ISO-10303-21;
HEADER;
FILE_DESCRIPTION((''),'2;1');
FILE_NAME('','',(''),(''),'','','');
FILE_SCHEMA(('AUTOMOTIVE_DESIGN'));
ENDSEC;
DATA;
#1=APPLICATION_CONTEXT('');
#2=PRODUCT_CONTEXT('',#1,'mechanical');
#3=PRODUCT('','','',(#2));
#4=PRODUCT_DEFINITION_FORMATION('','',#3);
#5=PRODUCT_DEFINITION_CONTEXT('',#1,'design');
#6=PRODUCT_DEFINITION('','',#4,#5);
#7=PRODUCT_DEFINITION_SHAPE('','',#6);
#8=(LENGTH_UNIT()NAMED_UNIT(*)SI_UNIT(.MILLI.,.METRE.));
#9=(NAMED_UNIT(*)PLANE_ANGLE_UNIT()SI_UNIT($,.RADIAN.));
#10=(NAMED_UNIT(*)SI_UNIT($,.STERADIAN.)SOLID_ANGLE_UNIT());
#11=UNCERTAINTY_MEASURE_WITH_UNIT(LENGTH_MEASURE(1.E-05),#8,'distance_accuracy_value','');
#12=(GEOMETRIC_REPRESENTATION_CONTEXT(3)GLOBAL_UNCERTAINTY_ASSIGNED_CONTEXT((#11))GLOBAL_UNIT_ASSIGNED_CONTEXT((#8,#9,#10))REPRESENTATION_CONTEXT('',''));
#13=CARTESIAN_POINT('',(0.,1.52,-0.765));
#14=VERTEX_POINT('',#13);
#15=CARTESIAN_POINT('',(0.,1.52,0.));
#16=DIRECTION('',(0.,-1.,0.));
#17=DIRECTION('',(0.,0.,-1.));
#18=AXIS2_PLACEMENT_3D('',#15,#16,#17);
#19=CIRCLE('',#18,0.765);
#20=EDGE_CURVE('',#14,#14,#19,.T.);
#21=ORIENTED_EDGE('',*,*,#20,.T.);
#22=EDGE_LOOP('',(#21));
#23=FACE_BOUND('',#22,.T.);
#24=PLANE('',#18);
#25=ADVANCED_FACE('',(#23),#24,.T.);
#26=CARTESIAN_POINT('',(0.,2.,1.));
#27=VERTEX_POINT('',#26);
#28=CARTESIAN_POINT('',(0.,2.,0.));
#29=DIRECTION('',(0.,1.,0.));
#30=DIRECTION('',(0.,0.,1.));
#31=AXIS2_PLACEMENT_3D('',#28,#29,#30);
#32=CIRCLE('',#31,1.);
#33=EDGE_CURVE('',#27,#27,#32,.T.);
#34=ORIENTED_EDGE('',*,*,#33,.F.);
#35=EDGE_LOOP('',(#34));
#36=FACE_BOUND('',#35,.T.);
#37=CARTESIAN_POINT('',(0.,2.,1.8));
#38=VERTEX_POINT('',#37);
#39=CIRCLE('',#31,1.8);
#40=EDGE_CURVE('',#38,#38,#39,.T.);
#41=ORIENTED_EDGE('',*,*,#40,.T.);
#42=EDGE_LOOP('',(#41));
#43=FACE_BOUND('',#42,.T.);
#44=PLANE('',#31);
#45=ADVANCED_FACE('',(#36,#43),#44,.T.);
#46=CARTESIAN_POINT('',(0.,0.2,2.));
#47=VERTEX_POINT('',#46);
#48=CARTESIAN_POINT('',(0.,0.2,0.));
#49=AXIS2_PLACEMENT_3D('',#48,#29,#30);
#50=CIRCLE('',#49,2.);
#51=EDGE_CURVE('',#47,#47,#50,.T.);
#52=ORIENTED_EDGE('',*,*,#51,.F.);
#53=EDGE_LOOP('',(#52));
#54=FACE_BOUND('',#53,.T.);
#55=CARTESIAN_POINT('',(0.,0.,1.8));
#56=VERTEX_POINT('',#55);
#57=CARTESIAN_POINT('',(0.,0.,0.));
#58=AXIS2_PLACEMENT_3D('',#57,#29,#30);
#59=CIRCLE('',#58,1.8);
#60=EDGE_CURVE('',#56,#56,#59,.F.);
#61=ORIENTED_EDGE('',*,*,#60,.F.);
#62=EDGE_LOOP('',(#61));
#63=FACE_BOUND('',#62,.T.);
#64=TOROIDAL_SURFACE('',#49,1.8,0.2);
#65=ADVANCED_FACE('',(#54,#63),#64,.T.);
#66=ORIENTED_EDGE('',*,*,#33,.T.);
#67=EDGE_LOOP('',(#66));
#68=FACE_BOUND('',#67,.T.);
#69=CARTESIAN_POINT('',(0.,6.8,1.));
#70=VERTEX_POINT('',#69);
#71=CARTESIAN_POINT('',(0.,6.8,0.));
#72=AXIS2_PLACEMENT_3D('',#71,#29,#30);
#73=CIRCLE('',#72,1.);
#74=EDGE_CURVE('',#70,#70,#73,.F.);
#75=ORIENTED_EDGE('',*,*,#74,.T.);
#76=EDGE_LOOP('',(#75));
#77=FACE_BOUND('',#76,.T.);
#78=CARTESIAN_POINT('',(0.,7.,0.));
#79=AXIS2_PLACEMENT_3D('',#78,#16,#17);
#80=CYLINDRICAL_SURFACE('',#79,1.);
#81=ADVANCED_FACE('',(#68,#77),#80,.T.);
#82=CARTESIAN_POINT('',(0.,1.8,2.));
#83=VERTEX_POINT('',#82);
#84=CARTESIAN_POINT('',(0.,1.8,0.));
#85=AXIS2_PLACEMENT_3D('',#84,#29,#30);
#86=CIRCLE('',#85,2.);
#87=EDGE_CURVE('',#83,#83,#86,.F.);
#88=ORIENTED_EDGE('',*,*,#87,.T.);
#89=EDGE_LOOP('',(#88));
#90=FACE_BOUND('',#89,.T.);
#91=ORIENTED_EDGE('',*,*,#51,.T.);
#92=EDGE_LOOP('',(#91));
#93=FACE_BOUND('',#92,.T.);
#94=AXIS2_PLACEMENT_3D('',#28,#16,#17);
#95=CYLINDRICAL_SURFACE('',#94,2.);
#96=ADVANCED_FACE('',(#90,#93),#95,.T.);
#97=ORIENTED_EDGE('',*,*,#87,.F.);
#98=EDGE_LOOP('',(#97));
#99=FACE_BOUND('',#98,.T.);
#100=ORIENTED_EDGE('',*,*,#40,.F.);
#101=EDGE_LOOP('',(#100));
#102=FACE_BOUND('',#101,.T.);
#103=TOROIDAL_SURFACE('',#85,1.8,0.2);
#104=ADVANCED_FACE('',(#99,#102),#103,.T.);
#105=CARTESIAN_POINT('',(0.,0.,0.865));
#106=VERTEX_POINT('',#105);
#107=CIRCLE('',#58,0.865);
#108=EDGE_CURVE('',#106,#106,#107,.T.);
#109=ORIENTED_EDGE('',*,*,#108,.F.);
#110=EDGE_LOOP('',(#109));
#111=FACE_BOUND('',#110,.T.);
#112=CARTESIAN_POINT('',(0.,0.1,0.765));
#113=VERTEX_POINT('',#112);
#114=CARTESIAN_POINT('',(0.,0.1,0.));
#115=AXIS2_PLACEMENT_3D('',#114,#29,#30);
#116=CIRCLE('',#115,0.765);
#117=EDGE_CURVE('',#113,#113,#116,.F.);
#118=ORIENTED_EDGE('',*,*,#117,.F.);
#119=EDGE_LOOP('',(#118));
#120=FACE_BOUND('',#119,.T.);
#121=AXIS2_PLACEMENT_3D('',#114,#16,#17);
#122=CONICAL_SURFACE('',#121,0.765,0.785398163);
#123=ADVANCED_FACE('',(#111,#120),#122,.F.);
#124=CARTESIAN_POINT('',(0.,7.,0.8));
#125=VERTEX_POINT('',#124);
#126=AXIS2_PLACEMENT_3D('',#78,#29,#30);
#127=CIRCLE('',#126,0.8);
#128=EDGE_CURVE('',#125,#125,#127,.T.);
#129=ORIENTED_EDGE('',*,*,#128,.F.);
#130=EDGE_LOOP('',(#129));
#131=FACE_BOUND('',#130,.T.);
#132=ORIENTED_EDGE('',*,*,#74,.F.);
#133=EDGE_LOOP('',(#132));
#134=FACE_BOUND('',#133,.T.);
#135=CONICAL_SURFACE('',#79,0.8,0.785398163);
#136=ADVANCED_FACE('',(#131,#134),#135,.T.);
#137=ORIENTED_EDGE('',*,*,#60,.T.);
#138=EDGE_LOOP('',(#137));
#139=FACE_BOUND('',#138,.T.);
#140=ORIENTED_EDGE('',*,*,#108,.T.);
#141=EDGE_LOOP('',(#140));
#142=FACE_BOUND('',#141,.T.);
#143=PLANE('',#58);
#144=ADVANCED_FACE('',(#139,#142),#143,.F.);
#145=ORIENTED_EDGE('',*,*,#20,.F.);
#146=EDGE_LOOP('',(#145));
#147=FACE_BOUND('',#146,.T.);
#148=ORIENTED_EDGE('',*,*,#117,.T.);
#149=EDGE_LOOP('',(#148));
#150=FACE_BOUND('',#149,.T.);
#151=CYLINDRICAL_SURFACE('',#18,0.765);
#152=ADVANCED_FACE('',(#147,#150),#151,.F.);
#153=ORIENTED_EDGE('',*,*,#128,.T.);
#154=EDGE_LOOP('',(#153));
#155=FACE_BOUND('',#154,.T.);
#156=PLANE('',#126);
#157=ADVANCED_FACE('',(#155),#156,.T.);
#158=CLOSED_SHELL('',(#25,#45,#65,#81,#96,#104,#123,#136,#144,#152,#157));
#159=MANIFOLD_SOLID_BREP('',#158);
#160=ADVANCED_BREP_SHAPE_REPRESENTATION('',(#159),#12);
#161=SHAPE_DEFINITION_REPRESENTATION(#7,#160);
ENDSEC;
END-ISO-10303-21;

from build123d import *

# Parameters (mm, degrees)
SKETCH_2_R          = 2
EXTRUDE_1_DEPTH     = 2
SKETCH_3_R          = 1
EXTRUDE_2_DEPTH     = 5
FILLET_1_R          = 0.2
SKETCH_4_R          = 0.765
CUT_EXTRUDE_1_DEPTH = 1.52
CHAMFER_1_SIZE      = 0.1
CHAMFER_2_SIZE      = 0.2


with BuildPart() as part:
    # 草图2 → 凸台-拉伸1 (new body)
    with BuildSketch(Plane(origin=(0, 0, 0), x_dir=(1, 0, 0), z_dir=(0, 1, 0))):
        with Locations(Location((0, 0, 0), (0, 0, 270))):
            Circle(SKETCH_2_R)
    extrude(amount=EXTRUDE_1_DEPTH)

    # 草图3 → 凸台-拉伸2 (add)
    with BuildSketch(Plane(origin=(0, 2, 0), x_dir=(1, 0, 0), z_dir=(0, 1, 0))):
        with Locations(Location((0, 0, 0), (0, 0, 270))):
            Circle(SKETCH_3_R)
    extrude(amount=EXTRUDE_2_DEPTH)

    # 圆角1
    fillet_1_edges = [part.edges().sort_by_distance(p)[0] for p in [
        (0, 0, -2),
        (0, 2, -2),
    ]]
    fillet(fillet_1_edges, radius=FILLET_1_R)

    # 草图4 → 切除-拉伸1 (cut)
    with BuildSketch(Plane.XZ):
        with Locations(Location((0, 0, 0), (0, 0, 270))):
            Circle(SKETCH_4_R)
    extrude(amount=-CUT_EXTRUDE_1_DEPTH, mode=Mode.SUBTRACT)

    # 倒角1
    chamfer_1_edges = [part.edges().sort_by_distance(p)[0] for p in [
        (0, 0, 0.765),
    ]]
    chamfer(chamfer_1_edges, length=CHAMFER_1_SIZE)

    # 倒角2
    chamfer_2_edges = [part.edges().sort_by_distance(p)[0] for p in [
        (0, 7, -1),
    ]]
    chamfer(chamfer_2_edges, length=CHAMFER_2_SIZE)


solid = part.part
